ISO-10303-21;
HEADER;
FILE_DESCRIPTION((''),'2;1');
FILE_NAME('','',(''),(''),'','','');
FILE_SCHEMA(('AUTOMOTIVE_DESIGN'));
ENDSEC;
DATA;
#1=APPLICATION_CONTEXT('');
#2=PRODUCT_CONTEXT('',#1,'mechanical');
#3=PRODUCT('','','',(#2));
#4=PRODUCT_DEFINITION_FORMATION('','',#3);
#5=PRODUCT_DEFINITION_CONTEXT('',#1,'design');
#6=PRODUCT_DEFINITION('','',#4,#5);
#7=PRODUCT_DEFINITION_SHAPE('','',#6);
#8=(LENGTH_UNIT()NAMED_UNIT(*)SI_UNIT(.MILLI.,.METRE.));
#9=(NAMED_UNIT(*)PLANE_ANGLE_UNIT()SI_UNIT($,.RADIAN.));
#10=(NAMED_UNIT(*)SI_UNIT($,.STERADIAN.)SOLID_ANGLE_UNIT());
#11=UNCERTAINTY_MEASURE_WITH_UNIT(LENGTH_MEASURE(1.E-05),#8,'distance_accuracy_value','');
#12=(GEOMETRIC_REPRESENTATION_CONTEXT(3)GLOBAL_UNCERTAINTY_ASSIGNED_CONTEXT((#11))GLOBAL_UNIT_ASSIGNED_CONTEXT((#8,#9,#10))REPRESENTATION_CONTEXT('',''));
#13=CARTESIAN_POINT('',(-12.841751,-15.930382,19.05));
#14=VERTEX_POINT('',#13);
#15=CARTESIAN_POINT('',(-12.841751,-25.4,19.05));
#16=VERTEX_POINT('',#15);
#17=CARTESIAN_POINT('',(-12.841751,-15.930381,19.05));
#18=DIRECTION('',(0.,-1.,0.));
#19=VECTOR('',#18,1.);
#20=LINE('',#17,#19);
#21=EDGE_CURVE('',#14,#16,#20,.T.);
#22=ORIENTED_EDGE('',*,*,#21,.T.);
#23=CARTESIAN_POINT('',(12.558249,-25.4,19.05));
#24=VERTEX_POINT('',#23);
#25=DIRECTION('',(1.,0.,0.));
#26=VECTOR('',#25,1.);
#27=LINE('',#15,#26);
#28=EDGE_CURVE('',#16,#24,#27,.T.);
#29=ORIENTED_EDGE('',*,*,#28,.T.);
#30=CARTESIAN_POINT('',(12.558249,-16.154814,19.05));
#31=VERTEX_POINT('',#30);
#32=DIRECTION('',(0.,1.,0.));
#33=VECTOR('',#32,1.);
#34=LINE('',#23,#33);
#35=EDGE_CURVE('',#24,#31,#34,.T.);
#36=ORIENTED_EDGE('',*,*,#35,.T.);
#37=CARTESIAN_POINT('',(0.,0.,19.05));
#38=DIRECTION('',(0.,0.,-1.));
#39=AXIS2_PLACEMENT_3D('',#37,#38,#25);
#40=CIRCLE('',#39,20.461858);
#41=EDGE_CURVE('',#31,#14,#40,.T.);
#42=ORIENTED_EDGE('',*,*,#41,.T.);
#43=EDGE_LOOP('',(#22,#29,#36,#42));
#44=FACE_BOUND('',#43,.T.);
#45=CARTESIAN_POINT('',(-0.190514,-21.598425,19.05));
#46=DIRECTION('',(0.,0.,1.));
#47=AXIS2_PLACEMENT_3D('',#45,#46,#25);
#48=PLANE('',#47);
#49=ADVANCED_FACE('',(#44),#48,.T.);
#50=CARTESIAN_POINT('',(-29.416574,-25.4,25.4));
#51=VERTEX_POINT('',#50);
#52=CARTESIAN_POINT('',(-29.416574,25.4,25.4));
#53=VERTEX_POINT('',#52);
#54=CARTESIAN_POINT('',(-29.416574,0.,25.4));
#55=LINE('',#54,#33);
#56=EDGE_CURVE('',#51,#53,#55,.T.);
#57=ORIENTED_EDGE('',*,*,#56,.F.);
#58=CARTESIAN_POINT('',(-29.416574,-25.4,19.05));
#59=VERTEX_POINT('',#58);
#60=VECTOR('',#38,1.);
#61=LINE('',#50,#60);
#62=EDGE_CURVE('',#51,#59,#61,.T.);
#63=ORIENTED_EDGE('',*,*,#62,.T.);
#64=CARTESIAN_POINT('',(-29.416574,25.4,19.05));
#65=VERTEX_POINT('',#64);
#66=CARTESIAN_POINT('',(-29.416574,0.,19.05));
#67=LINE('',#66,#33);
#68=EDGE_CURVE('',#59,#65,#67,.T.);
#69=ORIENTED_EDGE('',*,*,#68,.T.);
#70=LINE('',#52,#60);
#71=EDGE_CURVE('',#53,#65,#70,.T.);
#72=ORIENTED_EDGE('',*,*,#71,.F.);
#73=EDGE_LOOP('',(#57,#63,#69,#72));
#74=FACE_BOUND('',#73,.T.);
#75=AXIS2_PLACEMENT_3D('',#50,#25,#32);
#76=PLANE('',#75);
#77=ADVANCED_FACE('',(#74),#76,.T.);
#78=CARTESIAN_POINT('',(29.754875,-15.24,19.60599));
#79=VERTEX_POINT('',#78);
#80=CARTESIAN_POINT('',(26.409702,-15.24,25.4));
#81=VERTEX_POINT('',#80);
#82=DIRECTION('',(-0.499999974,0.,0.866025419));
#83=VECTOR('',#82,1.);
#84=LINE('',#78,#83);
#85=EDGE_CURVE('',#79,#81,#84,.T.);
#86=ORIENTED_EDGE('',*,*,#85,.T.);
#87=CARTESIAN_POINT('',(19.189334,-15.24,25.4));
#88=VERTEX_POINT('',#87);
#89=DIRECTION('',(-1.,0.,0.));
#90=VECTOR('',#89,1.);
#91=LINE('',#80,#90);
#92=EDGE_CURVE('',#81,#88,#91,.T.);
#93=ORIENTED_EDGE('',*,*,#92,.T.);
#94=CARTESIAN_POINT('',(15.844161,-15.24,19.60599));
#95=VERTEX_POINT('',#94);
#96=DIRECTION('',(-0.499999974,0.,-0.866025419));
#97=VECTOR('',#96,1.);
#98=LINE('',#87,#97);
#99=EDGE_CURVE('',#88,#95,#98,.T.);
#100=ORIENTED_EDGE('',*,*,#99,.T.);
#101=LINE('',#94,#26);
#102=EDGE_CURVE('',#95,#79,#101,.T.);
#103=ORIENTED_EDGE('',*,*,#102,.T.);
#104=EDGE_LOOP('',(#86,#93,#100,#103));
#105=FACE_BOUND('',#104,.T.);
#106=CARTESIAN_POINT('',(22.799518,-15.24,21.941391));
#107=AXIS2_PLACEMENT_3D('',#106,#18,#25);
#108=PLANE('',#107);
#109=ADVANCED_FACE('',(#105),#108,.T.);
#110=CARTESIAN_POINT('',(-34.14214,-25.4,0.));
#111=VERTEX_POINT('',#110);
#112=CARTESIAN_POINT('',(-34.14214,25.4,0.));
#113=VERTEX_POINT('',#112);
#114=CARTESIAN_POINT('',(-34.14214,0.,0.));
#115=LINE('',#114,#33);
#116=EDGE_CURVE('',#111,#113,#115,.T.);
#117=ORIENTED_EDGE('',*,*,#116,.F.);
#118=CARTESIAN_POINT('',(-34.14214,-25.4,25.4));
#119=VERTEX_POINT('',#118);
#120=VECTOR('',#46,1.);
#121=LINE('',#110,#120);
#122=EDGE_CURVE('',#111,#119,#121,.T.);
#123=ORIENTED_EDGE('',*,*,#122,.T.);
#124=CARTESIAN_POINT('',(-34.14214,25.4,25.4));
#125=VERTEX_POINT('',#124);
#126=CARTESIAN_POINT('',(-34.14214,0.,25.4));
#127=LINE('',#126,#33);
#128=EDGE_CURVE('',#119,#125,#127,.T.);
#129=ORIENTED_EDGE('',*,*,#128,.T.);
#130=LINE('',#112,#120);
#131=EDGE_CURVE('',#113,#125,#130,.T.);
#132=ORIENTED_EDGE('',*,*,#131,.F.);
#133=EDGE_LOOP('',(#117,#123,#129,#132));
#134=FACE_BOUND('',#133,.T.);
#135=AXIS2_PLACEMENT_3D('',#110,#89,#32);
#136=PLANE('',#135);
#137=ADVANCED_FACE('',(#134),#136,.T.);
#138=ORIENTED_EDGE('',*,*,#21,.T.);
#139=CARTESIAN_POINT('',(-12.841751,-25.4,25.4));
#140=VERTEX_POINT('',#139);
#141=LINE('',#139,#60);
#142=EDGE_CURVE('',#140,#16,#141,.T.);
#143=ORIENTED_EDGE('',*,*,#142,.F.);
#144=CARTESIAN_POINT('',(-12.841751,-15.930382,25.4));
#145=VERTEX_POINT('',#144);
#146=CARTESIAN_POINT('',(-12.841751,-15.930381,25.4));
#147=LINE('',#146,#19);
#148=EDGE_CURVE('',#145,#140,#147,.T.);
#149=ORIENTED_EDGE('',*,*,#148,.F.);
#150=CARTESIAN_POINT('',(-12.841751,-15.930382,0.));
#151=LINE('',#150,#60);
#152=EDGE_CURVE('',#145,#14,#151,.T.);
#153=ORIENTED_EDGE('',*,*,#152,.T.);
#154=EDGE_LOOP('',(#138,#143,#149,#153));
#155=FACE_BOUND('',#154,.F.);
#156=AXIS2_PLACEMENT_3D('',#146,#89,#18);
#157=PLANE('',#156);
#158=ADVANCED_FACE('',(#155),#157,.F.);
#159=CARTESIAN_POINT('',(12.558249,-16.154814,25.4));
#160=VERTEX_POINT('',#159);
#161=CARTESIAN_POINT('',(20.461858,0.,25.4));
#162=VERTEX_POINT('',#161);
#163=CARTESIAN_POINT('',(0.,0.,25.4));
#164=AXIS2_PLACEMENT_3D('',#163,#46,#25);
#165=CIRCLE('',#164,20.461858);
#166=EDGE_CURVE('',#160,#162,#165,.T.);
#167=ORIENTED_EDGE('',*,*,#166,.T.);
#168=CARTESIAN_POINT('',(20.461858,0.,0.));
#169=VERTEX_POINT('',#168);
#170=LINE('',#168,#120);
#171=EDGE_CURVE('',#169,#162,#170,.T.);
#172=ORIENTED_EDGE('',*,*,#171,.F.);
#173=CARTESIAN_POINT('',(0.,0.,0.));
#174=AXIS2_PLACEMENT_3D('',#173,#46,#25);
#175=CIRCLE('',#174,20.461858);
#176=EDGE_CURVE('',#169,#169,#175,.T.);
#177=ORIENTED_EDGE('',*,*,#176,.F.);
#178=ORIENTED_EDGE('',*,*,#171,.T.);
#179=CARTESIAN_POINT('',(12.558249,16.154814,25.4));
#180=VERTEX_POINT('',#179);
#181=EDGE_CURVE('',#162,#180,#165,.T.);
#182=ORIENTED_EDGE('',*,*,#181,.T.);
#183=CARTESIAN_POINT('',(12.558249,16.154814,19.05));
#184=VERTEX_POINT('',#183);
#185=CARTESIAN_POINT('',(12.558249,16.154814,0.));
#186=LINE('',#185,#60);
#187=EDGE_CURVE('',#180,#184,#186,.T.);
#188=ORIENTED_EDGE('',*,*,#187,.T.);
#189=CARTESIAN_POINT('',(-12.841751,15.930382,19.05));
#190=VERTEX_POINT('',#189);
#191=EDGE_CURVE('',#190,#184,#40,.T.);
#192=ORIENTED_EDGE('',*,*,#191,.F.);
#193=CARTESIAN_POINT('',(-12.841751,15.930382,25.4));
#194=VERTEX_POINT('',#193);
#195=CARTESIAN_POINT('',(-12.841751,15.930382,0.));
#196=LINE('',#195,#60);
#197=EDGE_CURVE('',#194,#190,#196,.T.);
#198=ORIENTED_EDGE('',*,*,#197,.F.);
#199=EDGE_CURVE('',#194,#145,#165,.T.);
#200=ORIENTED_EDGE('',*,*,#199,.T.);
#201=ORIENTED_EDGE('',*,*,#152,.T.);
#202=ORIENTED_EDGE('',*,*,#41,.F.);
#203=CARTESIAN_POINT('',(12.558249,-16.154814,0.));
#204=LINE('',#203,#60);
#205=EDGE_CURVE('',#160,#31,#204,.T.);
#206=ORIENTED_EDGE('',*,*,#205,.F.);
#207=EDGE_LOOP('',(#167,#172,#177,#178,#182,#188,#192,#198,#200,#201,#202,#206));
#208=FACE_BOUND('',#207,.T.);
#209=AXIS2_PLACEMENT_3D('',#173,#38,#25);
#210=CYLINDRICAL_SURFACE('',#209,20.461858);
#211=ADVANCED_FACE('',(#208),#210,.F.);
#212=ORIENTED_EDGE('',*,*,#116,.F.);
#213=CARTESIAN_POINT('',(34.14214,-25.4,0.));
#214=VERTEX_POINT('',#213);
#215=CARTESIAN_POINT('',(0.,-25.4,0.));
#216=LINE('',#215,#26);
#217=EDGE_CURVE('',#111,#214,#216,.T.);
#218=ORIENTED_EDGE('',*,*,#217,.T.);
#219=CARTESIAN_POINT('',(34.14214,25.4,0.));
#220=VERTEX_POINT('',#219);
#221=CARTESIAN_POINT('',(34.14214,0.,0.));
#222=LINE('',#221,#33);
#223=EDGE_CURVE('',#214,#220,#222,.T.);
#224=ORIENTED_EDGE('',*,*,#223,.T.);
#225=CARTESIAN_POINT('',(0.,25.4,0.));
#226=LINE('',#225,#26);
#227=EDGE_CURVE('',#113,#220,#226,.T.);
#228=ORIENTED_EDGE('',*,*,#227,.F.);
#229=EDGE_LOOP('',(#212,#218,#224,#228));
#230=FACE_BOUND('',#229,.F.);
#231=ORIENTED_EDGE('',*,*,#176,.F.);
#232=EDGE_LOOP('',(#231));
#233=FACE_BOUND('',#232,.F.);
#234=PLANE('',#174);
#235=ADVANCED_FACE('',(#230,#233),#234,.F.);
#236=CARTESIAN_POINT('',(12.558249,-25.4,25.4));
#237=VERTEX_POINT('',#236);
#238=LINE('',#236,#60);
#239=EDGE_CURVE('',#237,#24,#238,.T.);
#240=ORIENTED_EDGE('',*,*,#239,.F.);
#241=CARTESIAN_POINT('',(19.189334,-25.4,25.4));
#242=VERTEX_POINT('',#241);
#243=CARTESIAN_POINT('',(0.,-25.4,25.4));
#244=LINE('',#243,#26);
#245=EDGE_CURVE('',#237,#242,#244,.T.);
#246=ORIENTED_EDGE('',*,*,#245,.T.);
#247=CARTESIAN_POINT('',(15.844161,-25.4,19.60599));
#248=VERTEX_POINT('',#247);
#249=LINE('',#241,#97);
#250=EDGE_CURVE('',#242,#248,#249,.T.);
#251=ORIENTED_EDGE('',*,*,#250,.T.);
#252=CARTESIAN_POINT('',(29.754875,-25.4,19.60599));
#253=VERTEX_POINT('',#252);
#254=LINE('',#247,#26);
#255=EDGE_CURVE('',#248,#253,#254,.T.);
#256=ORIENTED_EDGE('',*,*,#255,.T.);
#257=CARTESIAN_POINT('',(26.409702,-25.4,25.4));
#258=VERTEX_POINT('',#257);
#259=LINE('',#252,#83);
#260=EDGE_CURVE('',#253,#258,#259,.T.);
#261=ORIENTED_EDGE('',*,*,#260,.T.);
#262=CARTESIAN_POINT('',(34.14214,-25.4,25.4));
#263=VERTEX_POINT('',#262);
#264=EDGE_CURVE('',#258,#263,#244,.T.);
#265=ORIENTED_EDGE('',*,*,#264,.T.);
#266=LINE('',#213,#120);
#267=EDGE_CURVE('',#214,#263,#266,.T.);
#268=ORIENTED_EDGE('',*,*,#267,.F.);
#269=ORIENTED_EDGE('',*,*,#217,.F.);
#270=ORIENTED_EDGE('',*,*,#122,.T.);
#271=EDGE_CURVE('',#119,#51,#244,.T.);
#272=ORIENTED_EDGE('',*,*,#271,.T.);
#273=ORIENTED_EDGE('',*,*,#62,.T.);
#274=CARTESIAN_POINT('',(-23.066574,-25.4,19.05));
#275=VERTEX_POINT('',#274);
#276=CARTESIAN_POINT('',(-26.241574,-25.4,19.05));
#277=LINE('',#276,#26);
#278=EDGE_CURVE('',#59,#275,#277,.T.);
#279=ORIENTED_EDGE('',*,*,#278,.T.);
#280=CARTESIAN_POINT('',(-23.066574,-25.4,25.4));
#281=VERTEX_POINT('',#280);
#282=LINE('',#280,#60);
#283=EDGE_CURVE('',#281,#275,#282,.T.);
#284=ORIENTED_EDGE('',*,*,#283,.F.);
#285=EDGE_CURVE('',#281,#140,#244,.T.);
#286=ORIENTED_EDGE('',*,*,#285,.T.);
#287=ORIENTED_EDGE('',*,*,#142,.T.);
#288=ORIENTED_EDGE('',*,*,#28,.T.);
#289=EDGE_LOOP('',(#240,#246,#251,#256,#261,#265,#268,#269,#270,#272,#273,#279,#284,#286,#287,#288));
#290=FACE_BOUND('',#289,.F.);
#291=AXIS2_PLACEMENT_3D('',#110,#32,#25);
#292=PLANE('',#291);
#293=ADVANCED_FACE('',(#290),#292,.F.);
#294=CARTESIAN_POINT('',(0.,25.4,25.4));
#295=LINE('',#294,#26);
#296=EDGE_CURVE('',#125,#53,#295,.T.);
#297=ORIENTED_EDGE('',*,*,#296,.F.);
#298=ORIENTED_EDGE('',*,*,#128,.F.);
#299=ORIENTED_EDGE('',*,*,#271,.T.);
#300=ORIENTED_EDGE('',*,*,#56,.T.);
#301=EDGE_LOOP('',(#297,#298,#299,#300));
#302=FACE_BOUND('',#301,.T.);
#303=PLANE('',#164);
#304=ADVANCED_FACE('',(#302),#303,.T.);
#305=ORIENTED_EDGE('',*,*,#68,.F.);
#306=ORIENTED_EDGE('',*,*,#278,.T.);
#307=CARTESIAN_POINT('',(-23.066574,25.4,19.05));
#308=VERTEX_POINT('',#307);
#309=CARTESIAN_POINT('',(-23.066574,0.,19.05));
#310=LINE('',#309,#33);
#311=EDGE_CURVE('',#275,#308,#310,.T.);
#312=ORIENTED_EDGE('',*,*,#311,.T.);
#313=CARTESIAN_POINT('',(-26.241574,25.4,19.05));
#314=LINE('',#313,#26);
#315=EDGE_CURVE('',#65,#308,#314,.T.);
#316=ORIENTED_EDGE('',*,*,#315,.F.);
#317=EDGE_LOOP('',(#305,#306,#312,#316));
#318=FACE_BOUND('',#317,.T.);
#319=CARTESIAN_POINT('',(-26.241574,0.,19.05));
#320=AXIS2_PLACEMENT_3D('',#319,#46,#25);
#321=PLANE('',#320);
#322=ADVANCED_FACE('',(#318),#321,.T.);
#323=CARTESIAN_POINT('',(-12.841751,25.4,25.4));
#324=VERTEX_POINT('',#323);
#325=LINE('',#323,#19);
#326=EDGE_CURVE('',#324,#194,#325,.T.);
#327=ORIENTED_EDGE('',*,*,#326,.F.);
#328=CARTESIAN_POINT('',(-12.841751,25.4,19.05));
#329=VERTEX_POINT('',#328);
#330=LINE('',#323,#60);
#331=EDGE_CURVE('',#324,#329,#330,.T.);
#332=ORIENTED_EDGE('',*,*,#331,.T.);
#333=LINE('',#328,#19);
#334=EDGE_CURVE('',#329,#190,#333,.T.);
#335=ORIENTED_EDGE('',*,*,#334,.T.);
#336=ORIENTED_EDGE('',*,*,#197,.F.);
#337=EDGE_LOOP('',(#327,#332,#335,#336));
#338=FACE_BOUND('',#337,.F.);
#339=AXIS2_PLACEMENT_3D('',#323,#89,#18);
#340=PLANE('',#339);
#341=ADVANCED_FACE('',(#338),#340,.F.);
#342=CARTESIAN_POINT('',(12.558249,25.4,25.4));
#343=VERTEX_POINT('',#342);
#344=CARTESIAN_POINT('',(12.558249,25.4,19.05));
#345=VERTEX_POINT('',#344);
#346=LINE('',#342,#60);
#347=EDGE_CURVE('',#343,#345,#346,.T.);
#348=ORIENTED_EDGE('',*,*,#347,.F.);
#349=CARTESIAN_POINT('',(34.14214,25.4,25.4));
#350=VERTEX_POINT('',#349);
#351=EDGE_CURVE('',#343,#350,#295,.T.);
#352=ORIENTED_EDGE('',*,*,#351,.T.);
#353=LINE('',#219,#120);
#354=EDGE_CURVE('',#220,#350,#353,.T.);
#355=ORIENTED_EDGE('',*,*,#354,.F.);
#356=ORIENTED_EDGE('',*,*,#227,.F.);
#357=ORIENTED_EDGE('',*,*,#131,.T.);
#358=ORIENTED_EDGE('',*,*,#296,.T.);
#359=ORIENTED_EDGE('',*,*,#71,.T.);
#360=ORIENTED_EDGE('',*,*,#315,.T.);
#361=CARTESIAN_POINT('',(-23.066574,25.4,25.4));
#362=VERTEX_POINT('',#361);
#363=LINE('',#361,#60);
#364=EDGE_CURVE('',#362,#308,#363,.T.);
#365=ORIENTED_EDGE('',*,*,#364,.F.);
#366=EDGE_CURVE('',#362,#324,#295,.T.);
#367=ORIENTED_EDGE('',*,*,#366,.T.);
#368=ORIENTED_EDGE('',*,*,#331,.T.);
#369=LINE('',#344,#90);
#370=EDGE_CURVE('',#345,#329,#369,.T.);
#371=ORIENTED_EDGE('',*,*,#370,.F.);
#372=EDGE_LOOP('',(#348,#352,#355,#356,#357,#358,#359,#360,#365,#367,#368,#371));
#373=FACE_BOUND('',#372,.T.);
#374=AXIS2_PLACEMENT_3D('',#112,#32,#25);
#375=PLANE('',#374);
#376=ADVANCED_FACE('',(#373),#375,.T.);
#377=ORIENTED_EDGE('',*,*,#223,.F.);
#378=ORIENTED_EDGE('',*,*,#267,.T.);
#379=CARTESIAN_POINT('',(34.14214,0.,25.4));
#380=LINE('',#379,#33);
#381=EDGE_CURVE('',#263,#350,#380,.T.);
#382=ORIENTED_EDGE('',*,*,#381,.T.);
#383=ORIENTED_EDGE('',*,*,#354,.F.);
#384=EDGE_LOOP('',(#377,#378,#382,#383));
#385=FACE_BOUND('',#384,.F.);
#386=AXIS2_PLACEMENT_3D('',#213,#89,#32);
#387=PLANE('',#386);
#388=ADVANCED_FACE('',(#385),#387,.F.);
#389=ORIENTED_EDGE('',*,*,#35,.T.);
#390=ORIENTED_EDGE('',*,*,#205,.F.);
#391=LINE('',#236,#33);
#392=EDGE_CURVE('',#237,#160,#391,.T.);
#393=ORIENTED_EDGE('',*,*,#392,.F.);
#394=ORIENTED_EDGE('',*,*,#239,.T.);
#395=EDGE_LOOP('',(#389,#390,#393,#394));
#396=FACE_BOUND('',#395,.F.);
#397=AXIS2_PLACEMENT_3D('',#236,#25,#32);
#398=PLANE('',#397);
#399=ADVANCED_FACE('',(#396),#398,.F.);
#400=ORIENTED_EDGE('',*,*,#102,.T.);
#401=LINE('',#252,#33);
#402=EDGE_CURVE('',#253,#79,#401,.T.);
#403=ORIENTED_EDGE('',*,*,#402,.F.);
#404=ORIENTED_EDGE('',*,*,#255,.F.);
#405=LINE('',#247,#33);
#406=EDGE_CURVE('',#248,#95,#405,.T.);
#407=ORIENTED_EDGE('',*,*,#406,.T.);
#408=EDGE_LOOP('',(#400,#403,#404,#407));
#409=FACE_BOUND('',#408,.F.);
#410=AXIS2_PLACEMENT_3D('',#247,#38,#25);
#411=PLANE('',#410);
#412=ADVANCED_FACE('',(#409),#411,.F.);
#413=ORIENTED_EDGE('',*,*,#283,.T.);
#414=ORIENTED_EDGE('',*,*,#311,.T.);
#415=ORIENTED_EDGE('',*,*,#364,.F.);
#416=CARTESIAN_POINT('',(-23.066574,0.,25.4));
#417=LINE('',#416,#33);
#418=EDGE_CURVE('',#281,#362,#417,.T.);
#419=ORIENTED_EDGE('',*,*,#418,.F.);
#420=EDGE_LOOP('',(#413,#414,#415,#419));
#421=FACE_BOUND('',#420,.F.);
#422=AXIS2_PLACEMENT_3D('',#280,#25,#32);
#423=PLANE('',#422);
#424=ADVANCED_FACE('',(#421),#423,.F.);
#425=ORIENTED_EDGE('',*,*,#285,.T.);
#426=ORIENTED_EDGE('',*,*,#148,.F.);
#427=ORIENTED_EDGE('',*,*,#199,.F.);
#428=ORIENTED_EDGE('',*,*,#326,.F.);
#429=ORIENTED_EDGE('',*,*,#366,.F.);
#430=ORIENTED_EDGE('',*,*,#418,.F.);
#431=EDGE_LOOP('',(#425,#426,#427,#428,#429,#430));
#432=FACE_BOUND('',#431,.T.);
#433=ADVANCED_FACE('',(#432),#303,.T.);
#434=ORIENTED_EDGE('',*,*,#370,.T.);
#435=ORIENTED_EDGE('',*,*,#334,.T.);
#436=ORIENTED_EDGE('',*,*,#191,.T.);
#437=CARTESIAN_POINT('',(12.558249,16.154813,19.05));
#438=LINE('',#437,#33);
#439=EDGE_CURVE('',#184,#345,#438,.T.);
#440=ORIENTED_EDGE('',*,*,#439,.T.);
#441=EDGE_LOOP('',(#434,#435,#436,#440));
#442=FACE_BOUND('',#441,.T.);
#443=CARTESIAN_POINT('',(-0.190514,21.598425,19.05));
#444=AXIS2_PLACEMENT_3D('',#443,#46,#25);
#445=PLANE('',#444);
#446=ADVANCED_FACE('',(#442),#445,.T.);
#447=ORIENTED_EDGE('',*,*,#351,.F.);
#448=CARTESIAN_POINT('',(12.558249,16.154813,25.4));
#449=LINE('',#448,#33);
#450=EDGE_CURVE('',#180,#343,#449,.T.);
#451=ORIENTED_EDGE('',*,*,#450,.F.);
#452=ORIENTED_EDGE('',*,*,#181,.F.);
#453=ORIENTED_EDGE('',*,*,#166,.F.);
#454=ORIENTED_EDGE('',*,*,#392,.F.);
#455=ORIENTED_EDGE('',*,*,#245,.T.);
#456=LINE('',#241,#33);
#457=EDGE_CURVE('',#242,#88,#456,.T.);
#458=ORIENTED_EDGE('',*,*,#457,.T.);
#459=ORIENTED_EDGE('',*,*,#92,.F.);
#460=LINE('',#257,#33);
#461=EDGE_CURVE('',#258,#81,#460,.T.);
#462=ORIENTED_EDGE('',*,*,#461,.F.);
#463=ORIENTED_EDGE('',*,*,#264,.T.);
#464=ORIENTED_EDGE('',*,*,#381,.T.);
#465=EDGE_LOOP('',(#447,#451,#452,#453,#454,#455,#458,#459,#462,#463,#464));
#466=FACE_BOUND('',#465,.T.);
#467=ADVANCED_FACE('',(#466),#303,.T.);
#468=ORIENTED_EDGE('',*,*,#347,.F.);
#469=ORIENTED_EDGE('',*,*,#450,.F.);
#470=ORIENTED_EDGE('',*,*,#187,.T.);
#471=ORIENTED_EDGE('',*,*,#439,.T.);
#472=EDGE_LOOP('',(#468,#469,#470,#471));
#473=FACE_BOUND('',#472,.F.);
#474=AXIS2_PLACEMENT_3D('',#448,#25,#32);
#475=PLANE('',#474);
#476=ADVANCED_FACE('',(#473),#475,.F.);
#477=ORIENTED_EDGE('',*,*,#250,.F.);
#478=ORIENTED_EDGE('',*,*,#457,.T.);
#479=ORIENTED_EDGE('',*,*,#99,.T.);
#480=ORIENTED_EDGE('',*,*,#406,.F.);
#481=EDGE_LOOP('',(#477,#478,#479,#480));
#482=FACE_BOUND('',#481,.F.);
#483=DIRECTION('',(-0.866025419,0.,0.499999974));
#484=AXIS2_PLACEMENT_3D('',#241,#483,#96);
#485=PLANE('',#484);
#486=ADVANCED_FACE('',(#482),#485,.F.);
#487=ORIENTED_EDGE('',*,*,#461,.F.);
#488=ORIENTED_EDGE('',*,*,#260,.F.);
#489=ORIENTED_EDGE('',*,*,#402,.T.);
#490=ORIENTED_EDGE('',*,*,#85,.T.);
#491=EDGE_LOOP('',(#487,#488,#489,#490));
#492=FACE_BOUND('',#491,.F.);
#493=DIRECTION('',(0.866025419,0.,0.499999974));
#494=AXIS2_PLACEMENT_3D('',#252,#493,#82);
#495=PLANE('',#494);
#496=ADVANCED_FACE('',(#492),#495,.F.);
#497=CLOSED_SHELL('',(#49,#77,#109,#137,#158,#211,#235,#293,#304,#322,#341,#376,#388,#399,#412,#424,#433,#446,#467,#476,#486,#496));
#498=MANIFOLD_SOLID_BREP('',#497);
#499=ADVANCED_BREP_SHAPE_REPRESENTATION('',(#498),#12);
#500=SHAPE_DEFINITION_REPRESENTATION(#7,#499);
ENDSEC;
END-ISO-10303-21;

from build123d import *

# Parameters (mm, degrees)
F0_W     = 68.28428
F0_H     = 50.8
F0_R     = 20.461858
F1_DEPTH = 25.4
F2_W     = 6.35
F2_H     = 50.8
F3_DEPTH = 6.35
F5_DEPTH = 10.16


with BuildPart() as f1:
    # F0 (on Top) → F1 (new body)
    with BuildSketch(Plane.XY):
        Rectangle(F0_W, F0_H)
        Circle(F0_R, mode=Mode.SUBTRACT)
    extrude(amount=F1_DEPTH)

    # F2 (on face) → F3 (cut)
    with BuildSketch(Plane.XY.offset(25.4)):
        with Locations((-26.241574, 0)):
            Rectangle(F2_W, F2_H)
        with BuildLine():
            Line((12.558249, 25.4), (-12.841751, 25.4))
            Line((-12.841751, 25.4), (-12.841751, 15.930381))
            ThreePointArc((-12.841751, 15.930381), (-0.180792, 20.461059), (12.558249, 16.154813))
            Line((12.558249, 16.154813), (12.558249, 25.4))
        make_face()
        with BuildLine():
            Line((-12.841751, -15.930381), (-12.841751, -25.4))
            Line((-12.841751, -25.4), (12.558249, -25.4))
            Line((12.558249, -25.4), (12.558249, -16.154813))
            ThreePointArc((12.558249, -16.154813), (-0.180792, -20.461059), (-12.841751, -15.930381))
        make_face()
    extrude(amount=-F3_DEPTH, mode=Mode.SUBTRACT)

    # F4 (on face) → F5 (cut)
    with BuildSketch(Plane.XZ.offset(25.4)):
        Polygon((26.409702, 25.4), (19.189334, 25.4), (15.844161, 19.60599), (29.754875, 19.60599), align=None)
    extrude(amount=-F5_DEPTH, mode=Mode.SUBTRACT)


solid = f1.part
